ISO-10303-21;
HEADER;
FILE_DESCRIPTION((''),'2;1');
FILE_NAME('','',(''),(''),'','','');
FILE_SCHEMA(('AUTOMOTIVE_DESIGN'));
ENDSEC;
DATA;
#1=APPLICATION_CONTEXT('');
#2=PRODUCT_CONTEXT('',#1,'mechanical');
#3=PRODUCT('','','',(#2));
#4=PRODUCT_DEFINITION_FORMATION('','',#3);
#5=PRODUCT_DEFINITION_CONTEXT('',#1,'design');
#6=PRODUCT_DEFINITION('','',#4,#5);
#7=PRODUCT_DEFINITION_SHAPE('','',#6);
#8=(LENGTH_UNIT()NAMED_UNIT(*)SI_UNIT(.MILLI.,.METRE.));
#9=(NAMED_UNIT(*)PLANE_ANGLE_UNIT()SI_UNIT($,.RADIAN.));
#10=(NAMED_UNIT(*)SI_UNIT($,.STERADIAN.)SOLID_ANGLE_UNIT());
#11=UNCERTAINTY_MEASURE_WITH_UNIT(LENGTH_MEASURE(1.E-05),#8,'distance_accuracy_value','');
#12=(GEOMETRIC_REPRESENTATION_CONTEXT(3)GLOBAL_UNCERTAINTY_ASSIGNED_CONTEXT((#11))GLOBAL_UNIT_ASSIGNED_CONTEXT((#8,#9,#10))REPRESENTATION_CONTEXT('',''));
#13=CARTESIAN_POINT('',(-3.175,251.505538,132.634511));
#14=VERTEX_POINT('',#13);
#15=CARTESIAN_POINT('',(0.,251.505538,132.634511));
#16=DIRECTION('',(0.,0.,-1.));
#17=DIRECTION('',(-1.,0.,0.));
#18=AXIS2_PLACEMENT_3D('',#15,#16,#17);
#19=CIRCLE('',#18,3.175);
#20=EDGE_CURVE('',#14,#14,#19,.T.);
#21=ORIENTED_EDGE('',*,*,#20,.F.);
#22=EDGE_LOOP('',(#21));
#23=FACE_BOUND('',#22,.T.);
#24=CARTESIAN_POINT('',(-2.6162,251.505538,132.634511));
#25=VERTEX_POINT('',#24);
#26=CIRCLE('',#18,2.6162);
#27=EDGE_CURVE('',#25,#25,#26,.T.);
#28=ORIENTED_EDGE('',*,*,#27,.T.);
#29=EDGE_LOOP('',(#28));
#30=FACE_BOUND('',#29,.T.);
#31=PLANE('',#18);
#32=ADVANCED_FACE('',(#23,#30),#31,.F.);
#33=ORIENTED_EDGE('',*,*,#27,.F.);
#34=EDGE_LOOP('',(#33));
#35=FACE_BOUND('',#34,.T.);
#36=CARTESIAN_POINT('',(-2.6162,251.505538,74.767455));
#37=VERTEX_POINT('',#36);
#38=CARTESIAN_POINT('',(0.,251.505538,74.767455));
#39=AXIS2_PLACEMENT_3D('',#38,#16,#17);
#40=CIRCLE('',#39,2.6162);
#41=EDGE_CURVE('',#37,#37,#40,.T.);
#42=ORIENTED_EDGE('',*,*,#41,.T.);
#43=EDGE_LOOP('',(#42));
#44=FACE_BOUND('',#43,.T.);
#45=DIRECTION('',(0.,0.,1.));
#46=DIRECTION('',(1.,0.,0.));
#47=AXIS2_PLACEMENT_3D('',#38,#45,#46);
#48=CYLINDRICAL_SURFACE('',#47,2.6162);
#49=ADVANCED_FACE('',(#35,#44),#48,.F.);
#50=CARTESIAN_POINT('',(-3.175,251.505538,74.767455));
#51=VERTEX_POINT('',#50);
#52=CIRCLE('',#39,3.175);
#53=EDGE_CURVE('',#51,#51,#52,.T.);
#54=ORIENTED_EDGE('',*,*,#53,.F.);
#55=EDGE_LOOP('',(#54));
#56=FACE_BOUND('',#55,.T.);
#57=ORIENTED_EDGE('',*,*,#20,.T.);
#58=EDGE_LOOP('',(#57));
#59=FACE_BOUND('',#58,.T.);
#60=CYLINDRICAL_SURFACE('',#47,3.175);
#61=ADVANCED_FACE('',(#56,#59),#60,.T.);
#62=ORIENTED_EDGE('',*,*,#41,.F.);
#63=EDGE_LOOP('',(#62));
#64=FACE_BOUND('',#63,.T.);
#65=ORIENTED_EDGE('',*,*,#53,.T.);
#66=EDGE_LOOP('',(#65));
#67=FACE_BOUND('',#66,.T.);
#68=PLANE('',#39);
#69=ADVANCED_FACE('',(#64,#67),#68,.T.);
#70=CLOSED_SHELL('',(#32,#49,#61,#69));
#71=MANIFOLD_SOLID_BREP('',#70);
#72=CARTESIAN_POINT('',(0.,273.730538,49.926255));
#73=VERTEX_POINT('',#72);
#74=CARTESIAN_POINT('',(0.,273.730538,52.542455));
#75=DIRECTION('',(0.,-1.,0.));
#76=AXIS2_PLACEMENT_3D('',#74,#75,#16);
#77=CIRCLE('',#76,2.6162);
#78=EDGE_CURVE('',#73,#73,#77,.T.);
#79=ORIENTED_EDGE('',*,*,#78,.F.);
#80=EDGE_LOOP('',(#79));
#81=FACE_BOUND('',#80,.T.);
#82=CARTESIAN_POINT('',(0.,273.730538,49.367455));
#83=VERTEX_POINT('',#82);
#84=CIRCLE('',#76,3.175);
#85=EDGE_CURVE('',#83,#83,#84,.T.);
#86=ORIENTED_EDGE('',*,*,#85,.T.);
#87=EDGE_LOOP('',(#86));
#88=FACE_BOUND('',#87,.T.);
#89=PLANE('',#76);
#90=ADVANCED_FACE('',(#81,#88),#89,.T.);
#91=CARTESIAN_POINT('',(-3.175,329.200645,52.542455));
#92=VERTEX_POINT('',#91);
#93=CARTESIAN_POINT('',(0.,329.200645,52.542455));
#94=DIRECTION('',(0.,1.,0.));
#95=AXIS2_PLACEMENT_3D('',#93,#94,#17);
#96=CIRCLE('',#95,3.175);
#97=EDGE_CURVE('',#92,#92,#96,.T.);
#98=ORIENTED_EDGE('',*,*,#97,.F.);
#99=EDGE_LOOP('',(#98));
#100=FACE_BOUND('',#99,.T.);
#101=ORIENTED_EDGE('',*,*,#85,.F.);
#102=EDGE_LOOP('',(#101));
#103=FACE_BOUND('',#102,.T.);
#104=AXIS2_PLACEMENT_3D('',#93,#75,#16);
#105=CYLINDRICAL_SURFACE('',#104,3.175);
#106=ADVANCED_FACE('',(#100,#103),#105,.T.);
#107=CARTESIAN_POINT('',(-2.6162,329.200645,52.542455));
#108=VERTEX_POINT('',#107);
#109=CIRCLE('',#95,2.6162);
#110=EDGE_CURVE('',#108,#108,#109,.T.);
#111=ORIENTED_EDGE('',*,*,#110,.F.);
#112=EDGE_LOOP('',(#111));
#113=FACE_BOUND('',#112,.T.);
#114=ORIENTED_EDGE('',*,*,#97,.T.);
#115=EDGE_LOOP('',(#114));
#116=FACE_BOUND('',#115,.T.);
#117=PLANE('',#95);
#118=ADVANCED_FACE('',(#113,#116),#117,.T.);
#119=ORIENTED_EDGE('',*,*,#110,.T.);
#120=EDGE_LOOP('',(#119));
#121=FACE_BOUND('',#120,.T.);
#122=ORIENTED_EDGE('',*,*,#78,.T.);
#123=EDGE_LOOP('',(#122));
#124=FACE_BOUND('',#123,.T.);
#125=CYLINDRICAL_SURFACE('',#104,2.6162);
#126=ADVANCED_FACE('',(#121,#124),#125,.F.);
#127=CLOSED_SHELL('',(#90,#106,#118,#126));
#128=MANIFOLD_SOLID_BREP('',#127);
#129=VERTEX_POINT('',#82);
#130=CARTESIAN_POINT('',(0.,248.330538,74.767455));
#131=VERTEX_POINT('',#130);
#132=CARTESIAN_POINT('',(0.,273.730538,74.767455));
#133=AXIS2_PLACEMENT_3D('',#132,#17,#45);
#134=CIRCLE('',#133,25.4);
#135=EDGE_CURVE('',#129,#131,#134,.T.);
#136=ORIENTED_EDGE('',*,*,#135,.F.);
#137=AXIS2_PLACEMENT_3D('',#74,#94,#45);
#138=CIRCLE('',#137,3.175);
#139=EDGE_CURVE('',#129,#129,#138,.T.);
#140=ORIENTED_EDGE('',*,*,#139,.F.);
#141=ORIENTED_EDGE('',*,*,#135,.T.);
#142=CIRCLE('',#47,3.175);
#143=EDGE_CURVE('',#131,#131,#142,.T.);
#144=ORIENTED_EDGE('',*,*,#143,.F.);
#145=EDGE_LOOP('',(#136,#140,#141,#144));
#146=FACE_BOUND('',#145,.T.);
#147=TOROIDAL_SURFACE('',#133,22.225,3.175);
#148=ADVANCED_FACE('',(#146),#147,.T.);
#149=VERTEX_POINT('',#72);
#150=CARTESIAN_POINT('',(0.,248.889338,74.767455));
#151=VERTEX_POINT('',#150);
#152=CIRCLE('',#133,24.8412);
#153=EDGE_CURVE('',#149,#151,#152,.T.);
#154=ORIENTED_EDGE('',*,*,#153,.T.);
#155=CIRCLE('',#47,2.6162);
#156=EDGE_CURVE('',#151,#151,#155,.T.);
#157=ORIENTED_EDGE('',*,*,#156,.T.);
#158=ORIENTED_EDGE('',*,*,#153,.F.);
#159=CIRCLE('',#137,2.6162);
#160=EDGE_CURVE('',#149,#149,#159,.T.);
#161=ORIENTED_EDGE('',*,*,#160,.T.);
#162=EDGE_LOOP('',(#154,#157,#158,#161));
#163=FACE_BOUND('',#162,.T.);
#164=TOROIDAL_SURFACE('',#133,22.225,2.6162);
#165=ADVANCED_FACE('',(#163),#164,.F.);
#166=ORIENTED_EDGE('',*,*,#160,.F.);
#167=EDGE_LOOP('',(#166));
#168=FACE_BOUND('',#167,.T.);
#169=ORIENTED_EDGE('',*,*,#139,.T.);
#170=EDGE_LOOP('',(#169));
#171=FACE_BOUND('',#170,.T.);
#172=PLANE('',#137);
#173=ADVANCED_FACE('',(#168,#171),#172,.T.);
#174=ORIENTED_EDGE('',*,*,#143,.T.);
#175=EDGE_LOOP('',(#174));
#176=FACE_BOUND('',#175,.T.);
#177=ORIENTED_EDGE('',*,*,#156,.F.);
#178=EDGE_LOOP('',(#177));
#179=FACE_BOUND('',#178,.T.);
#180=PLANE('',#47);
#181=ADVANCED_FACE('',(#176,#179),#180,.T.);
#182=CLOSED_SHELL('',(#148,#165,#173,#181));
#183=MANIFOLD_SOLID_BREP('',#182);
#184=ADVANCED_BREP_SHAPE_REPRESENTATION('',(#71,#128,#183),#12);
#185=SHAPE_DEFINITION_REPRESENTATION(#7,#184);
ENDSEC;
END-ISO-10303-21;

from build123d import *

# Parameters (mm, degrees)
SKETCH11_R                = 3.175
SKETCH11_R_2              = 2.6162
PIPE_0_5_SCH_40_1_DEPTH   = 57.867055849
SKETCH11_ON_SEGMENT_2_R   = 3.175
SKETCH11_ON_SEGMENT_2_R_2 = 2.6162
PIPE_0_5_SCH_40_1_2_ANGLE = 90
SKETCH11_ON_SEGMENT_3_R   = 3.175
SKETCH11_ON_SEGMENT_3_R_2 = 2.6162
PIPE_0_5_SCH_40_1_3_DEPTH = 55.470107083


with BuildPart() as part:
    # Sketch11 → Pipe 0.5 SCH 40(1) (new body)
    with BuildSketch(Plane(origin=(0, 251.505538406, 132.634510624), x_dir=(0, 1, 0), z_dir=(0, 0, -1))):
        Circle(SKETCH11_R)
        Circle(SKETCH11_R_2, mode=Mode.SUBTRACT)
    extrude(amount=PIPE_0_5_SCH_40_1_DEPTH)


with BuildPart() as body_2:
    # Sketch11 on segment 2 (carried to the start of arc 2) → Pipe 0.5 SCH 40_1 2 (revolve)
    with BuildSketch(Plane(origin=(0, 251.505538406, 74.767454775), x_dir=(0, 1, 0), z_dir=(0, 0, -1))):
        Circle(SKETCH11_ON_SEGMENT_2_R)
        Circle(SKETCH11_ON_SEGMENT_2_R_2, mode=Mode.SUBTRACT)
    revolve(axis=Axis((0, 273.730538406, 74.767454775), (1, 0, 0)), revolution_arc=PIPE_0_5_SCH_40_1_2_ANGLE)


with BuildPart() as body_3:
    # Sketch11 on segment 3 (carried to segment 3) → Pipe 0.5 SCH 40_1 3 (new body)
    with BuildSketch(Plane(origin=(0, 273.730538406, 52.542454775), x_dir=(0, 0, 1), z_dir=(0, 1, 0))):
        Circle(SKETCH11_ON_SEGMENT_3_R)
        Circle(SKETCH11_ON_SEGMENT_3_R_2, mode=Mode.SUBTRACT)
    extrude(amount=PIPE_0_5_SCH_40_1_3_DEPTH)


solid = Compound([part.part, body_2.part, body_3.part])
